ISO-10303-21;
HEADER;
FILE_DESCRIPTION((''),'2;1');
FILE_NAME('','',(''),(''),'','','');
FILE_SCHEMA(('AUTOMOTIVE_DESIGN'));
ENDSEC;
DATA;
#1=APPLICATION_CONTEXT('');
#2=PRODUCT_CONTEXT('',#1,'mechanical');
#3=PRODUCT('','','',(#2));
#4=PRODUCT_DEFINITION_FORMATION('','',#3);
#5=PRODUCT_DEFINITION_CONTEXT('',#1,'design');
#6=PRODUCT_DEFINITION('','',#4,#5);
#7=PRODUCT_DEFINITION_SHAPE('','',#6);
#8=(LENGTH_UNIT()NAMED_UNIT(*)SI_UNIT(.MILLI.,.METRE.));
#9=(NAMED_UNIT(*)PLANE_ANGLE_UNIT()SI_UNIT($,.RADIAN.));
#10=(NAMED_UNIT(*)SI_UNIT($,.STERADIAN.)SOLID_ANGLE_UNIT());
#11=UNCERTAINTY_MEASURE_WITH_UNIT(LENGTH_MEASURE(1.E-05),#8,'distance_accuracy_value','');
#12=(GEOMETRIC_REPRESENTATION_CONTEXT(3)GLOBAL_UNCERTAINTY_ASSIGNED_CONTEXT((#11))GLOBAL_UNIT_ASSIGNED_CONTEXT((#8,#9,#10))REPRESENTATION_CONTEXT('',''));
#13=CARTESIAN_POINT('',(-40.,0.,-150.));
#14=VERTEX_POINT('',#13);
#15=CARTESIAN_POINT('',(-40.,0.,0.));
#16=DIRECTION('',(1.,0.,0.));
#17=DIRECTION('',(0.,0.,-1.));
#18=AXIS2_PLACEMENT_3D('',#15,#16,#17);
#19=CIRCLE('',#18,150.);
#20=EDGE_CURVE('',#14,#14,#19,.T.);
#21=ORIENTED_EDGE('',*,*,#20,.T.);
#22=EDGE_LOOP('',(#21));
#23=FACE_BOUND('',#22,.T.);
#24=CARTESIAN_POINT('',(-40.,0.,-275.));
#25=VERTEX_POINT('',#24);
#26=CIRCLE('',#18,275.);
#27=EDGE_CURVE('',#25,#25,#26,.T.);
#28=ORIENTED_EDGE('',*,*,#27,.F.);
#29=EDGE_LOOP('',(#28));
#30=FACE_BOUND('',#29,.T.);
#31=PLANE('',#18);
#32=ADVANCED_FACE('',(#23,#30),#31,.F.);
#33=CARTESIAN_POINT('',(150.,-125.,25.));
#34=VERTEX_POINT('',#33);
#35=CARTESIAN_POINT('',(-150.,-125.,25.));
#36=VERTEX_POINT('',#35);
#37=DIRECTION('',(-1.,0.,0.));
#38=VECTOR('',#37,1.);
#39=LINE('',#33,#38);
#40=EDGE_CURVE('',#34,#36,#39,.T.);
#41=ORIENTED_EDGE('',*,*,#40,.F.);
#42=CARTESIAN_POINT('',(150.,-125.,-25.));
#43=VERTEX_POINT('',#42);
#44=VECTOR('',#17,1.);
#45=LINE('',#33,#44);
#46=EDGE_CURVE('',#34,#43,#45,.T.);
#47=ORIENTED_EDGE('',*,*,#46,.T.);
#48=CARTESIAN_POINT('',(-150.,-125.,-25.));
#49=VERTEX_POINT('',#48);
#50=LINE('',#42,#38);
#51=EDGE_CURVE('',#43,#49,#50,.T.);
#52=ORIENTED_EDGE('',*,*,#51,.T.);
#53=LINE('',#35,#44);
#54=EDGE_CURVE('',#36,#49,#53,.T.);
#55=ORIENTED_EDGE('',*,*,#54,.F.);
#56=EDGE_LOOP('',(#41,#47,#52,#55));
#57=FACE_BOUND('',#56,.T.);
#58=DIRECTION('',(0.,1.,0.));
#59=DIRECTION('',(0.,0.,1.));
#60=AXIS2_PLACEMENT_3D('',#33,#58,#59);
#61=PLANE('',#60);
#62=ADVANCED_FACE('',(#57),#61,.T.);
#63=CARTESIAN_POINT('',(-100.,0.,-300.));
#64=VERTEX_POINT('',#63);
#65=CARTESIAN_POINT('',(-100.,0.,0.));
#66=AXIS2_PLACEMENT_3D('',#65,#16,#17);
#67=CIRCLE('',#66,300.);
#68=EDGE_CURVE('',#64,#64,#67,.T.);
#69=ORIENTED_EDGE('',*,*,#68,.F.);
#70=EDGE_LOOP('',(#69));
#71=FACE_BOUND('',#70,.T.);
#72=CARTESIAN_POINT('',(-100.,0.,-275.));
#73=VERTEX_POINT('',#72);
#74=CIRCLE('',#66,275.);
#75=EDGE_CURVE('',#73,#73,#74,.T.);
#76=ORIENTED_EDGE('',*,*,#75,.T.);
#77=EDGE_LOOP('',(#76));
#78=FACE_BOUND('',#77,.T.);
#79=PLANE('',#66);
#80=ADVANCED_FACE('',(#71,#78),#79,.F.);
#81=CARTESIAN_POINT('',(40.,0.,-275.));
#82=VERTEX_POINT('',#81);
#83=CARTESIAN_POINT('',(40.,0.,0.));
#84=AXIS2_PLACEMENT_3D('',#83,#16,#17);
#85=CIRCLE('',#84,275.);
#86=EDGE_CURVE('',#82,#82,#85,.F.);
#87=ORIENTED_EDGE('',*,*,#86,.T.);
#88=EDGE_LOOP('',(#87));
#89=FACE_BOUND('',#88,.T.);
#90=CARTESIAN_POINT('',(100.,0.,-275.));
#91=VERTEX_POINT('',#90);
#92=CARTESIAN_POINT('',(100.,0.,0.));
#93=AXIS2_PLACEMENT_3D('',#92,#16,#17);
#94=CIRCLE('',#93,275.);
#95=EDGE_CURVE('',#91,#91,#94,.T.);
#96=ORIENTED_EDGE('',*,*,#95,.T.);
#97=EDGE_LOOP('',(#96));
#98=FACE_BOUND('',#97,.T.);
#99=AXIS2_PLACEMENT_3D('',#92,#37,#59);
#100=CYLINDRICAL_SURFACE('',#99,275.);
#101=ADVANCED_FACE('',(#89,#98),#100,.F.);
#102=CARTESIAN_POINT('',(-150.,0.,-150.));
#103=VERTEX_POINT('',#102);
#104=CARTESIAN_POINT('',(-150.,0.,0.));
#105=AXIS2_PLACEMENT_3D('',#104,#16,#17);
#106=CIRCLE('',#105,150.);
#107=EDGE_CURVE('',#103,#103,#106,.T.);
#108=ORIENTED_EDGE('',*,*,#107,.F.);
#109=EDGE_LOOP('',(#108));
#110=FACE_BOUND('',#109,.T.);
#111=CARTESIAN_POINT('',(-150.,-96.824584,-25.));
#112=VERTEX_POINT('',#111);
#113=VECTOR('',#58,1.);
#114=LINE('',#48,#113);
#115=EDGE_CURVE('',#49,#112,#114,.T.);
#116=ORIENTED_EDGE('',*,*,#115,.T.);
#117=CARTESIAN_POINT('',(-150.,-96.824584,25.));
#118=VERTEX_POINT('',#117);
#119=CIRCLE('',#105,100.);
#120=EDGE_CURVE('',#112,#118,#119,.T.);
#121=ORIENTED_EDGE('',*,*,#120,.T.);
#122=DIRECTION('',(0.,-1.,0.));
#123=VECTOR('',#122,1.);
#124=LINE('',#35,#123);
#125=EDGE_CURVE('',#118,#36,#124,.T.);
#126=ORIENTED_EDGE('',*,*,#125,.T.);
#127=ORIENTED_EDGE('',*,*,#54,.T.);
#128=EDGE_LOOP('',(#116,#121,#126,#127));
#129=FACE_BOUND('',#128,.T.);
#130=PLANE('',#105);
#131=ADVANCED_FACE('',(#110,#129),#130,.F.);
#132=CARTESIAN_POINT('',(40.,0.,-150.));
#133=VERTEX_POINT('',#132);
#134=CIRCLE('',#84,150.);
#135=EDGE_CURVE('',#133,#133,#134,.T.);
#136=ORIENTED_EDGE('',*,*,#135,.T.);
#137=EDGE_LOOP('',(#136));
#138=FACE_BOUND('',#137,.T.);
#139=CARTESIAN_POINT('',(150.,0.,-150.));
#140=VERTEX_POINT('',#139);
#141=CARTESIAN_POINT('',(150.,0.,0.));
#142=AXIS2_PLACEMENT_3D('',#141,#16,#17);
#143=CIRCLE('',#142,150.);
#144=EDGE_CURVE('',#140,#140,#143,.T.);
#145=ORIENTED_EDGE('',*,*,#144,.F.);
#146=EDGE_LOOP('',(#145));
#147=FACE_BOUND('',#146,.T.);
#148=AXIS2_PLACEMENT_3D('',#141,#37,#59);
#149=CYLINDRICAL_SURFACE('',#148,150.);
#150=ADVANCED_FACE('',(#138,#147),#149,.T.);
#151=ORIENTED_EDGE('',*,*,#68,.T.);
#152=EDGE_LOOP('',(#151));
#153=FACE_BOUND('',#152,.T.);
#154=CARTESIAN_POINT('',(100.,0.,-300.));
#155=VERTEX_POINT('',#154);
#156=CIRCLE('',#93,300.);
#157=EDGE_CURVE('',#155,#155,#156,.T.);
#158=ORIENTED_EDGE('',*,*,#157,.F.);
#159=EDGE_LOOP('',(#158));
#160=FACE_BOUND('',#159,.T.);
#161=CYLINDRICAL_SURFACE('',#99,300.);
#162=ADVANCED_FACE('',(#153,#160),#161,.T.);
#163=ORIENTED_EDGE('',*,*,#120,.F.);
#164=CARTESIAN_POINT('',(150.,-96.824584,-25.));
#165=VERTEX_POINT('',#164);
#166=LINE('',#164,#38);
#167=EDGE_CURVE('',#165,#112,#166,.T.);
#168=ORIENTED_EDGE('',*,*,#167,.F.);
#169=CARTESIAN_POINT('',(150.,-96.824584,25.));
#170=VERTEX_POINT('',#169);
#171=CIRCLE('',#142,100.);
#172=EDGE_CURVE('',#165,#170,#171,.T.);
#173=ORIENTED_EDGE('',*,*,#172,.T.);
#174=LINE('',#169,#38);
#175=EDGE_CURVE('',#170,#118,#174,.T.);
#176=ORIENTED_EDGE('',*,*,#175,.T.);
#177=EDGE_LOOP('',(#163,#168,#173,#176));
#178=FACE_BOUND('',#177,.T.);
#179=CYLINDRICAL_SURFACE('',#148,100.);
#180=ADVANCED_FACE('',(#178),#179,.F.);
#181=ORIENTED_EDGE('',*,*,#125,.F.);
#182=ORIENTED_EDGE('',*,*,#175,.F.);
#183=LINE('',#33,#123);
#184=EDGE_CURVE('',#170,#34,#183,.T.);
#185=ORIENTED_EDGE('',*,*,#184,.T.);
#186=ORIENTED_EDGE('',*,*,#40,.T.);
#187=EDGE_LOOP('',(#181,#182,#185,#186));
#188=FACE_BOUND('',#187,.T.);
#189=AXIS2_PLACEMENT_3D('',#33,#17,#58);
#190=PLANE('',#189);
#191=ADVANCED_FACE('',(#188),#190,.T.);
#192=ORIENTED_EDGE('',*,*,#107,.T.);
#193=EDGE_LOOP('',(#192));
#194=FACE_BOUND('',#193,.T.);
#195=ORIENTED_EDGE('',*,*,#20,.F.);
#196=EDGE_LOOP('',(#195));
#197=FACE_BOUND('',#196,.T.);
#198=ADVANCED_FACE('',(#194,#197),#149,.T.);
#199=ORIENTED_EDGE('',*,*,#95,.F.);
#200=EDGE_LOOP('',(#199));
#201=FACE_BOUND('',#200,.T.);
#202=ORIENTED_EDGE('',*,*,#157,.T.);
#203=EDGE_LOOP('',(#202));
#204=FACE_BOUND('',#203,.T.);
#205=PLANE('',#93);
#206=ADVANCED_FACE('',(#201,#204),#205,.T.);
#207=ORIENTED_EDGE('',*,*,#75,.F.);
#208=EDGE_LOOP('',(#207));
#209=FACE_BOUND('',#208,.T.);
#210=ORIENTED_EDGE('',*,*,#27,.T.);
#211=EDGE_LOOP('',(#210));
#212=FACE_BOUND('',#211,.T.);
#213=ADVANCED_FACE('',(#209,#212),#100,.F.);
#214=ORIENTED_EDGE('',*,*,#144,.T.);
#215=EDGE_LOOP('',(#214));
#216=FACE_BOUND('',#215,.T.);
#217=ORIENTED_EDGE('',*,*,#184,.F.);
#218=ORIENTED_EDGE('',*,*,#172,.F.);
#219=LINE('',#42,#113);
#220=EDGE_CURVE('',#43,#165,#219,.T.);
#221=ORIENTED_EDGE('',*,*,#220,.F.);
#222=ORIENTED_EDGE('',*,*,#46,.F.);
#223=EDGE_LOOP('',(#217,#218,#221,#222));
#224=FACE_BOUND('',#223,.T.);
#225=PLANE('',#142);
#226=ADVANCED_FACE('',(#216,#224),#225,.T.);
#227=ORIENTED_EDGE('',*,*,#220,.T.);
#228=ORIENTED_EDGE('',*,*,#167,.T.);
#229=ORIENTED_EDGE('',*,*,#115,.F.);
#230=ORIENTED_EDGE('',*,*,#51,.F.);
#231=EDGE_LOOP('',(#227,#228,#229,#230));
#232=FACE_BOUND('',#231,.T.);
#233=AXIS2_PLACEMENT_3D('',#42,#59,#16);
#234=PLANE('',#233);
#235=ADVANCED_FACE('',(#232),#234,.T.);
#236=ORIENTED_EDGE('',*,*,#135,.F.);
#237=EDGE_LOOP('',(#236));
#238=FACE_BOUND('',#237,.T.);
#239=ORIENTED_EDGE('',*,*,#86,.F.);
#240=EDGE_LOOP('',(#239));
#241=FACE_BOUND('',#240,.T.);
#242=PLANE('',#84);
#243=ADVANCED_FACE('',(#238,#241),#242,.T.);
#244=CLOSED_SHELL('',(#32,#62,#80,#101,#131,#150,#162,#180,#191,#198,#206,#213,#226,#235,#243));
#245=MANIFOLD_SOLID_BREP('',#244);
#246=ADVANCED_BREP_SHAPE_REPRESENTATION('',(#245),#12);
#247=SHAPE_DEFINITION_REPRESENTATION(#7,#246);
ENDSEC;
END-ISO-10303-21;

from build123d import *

# Parameters (mm, degrees)
IZIM1_R                     = 150
Y_KSEKLIK_EKSTR_ZYON1_DEPTH = 150
IZIM2_R                     = 300
IZIM2_R_2                   = 275
Y_KSEKLIK_EKSTR_ZYON2_DEPTH = 100
IZIM3_R                     = 275
IZIM3_R_2                   = 150
Y_KSEKLIK_EKSTR_ZYON3_DEPTH = 40


with BuildPart() as part:
    # Çizim1 → Yükseklik-Ekstrüzyon1 (new, symmetric)
    with BuildSketch(Plane(origin=(0, 0, 0), x_dir=(0, 0, -1), z_dir=(1, 0, 0))):
        Circle(IZIM1_R)
        with BuildLine():
            Line((-25, -125), (25, -125))
            Line((25, -125), (25, -96.824583655))
            ThreePointArc((25, -96.824583655), (0, 100), (-25, -96.824583655))
            Line((-25, -96.824583655), (-25, -125))
        make_face(mode=Mode.SUBTRACT)
    extrude(amount=Y_KSEKLIK_EKSTR_ZYON1_DEPTH, both=True)



with BuildPart() as body_2:
    # Çizim2 → Yükseklik-Ekstrüzyon2 (new, symmetric)
    with BuildSketch(Plane(origin=(0, 0, 0), x_dir=(0, 0, -1), z_dir=(1, 0, 0))):
        Circle(IZIM2_R)
        Circle(IZIM2_R_2, mode=Mode.SUBTRACT)
    extrude(amount=Y_KSEKLIK_EKSTR_ZYON2_DEPTH, both=True)


with BuildPart() as part_1:
    add(part.part)

    add(body_2.part)  # Yükseklik-Ekstrüzyon3 merges body 2
    # Çizim3 → Yükseklik-Ekstrüzyon3 (add, symmetric)
    with BuildSketch(Plane(origin=(0, 0, 0), x_dir=(0, 0, -1), z_dir=(1, 0, 0))):
        Circle(IZIM3_R)
        Circle(IZIM3_R_2, mode=Mode.SUBTRACT)
    extrude(amount=Y_KSEKLIK_EKSTR_ZYON3_DEPTH, both=True)


solid = part_1.part
